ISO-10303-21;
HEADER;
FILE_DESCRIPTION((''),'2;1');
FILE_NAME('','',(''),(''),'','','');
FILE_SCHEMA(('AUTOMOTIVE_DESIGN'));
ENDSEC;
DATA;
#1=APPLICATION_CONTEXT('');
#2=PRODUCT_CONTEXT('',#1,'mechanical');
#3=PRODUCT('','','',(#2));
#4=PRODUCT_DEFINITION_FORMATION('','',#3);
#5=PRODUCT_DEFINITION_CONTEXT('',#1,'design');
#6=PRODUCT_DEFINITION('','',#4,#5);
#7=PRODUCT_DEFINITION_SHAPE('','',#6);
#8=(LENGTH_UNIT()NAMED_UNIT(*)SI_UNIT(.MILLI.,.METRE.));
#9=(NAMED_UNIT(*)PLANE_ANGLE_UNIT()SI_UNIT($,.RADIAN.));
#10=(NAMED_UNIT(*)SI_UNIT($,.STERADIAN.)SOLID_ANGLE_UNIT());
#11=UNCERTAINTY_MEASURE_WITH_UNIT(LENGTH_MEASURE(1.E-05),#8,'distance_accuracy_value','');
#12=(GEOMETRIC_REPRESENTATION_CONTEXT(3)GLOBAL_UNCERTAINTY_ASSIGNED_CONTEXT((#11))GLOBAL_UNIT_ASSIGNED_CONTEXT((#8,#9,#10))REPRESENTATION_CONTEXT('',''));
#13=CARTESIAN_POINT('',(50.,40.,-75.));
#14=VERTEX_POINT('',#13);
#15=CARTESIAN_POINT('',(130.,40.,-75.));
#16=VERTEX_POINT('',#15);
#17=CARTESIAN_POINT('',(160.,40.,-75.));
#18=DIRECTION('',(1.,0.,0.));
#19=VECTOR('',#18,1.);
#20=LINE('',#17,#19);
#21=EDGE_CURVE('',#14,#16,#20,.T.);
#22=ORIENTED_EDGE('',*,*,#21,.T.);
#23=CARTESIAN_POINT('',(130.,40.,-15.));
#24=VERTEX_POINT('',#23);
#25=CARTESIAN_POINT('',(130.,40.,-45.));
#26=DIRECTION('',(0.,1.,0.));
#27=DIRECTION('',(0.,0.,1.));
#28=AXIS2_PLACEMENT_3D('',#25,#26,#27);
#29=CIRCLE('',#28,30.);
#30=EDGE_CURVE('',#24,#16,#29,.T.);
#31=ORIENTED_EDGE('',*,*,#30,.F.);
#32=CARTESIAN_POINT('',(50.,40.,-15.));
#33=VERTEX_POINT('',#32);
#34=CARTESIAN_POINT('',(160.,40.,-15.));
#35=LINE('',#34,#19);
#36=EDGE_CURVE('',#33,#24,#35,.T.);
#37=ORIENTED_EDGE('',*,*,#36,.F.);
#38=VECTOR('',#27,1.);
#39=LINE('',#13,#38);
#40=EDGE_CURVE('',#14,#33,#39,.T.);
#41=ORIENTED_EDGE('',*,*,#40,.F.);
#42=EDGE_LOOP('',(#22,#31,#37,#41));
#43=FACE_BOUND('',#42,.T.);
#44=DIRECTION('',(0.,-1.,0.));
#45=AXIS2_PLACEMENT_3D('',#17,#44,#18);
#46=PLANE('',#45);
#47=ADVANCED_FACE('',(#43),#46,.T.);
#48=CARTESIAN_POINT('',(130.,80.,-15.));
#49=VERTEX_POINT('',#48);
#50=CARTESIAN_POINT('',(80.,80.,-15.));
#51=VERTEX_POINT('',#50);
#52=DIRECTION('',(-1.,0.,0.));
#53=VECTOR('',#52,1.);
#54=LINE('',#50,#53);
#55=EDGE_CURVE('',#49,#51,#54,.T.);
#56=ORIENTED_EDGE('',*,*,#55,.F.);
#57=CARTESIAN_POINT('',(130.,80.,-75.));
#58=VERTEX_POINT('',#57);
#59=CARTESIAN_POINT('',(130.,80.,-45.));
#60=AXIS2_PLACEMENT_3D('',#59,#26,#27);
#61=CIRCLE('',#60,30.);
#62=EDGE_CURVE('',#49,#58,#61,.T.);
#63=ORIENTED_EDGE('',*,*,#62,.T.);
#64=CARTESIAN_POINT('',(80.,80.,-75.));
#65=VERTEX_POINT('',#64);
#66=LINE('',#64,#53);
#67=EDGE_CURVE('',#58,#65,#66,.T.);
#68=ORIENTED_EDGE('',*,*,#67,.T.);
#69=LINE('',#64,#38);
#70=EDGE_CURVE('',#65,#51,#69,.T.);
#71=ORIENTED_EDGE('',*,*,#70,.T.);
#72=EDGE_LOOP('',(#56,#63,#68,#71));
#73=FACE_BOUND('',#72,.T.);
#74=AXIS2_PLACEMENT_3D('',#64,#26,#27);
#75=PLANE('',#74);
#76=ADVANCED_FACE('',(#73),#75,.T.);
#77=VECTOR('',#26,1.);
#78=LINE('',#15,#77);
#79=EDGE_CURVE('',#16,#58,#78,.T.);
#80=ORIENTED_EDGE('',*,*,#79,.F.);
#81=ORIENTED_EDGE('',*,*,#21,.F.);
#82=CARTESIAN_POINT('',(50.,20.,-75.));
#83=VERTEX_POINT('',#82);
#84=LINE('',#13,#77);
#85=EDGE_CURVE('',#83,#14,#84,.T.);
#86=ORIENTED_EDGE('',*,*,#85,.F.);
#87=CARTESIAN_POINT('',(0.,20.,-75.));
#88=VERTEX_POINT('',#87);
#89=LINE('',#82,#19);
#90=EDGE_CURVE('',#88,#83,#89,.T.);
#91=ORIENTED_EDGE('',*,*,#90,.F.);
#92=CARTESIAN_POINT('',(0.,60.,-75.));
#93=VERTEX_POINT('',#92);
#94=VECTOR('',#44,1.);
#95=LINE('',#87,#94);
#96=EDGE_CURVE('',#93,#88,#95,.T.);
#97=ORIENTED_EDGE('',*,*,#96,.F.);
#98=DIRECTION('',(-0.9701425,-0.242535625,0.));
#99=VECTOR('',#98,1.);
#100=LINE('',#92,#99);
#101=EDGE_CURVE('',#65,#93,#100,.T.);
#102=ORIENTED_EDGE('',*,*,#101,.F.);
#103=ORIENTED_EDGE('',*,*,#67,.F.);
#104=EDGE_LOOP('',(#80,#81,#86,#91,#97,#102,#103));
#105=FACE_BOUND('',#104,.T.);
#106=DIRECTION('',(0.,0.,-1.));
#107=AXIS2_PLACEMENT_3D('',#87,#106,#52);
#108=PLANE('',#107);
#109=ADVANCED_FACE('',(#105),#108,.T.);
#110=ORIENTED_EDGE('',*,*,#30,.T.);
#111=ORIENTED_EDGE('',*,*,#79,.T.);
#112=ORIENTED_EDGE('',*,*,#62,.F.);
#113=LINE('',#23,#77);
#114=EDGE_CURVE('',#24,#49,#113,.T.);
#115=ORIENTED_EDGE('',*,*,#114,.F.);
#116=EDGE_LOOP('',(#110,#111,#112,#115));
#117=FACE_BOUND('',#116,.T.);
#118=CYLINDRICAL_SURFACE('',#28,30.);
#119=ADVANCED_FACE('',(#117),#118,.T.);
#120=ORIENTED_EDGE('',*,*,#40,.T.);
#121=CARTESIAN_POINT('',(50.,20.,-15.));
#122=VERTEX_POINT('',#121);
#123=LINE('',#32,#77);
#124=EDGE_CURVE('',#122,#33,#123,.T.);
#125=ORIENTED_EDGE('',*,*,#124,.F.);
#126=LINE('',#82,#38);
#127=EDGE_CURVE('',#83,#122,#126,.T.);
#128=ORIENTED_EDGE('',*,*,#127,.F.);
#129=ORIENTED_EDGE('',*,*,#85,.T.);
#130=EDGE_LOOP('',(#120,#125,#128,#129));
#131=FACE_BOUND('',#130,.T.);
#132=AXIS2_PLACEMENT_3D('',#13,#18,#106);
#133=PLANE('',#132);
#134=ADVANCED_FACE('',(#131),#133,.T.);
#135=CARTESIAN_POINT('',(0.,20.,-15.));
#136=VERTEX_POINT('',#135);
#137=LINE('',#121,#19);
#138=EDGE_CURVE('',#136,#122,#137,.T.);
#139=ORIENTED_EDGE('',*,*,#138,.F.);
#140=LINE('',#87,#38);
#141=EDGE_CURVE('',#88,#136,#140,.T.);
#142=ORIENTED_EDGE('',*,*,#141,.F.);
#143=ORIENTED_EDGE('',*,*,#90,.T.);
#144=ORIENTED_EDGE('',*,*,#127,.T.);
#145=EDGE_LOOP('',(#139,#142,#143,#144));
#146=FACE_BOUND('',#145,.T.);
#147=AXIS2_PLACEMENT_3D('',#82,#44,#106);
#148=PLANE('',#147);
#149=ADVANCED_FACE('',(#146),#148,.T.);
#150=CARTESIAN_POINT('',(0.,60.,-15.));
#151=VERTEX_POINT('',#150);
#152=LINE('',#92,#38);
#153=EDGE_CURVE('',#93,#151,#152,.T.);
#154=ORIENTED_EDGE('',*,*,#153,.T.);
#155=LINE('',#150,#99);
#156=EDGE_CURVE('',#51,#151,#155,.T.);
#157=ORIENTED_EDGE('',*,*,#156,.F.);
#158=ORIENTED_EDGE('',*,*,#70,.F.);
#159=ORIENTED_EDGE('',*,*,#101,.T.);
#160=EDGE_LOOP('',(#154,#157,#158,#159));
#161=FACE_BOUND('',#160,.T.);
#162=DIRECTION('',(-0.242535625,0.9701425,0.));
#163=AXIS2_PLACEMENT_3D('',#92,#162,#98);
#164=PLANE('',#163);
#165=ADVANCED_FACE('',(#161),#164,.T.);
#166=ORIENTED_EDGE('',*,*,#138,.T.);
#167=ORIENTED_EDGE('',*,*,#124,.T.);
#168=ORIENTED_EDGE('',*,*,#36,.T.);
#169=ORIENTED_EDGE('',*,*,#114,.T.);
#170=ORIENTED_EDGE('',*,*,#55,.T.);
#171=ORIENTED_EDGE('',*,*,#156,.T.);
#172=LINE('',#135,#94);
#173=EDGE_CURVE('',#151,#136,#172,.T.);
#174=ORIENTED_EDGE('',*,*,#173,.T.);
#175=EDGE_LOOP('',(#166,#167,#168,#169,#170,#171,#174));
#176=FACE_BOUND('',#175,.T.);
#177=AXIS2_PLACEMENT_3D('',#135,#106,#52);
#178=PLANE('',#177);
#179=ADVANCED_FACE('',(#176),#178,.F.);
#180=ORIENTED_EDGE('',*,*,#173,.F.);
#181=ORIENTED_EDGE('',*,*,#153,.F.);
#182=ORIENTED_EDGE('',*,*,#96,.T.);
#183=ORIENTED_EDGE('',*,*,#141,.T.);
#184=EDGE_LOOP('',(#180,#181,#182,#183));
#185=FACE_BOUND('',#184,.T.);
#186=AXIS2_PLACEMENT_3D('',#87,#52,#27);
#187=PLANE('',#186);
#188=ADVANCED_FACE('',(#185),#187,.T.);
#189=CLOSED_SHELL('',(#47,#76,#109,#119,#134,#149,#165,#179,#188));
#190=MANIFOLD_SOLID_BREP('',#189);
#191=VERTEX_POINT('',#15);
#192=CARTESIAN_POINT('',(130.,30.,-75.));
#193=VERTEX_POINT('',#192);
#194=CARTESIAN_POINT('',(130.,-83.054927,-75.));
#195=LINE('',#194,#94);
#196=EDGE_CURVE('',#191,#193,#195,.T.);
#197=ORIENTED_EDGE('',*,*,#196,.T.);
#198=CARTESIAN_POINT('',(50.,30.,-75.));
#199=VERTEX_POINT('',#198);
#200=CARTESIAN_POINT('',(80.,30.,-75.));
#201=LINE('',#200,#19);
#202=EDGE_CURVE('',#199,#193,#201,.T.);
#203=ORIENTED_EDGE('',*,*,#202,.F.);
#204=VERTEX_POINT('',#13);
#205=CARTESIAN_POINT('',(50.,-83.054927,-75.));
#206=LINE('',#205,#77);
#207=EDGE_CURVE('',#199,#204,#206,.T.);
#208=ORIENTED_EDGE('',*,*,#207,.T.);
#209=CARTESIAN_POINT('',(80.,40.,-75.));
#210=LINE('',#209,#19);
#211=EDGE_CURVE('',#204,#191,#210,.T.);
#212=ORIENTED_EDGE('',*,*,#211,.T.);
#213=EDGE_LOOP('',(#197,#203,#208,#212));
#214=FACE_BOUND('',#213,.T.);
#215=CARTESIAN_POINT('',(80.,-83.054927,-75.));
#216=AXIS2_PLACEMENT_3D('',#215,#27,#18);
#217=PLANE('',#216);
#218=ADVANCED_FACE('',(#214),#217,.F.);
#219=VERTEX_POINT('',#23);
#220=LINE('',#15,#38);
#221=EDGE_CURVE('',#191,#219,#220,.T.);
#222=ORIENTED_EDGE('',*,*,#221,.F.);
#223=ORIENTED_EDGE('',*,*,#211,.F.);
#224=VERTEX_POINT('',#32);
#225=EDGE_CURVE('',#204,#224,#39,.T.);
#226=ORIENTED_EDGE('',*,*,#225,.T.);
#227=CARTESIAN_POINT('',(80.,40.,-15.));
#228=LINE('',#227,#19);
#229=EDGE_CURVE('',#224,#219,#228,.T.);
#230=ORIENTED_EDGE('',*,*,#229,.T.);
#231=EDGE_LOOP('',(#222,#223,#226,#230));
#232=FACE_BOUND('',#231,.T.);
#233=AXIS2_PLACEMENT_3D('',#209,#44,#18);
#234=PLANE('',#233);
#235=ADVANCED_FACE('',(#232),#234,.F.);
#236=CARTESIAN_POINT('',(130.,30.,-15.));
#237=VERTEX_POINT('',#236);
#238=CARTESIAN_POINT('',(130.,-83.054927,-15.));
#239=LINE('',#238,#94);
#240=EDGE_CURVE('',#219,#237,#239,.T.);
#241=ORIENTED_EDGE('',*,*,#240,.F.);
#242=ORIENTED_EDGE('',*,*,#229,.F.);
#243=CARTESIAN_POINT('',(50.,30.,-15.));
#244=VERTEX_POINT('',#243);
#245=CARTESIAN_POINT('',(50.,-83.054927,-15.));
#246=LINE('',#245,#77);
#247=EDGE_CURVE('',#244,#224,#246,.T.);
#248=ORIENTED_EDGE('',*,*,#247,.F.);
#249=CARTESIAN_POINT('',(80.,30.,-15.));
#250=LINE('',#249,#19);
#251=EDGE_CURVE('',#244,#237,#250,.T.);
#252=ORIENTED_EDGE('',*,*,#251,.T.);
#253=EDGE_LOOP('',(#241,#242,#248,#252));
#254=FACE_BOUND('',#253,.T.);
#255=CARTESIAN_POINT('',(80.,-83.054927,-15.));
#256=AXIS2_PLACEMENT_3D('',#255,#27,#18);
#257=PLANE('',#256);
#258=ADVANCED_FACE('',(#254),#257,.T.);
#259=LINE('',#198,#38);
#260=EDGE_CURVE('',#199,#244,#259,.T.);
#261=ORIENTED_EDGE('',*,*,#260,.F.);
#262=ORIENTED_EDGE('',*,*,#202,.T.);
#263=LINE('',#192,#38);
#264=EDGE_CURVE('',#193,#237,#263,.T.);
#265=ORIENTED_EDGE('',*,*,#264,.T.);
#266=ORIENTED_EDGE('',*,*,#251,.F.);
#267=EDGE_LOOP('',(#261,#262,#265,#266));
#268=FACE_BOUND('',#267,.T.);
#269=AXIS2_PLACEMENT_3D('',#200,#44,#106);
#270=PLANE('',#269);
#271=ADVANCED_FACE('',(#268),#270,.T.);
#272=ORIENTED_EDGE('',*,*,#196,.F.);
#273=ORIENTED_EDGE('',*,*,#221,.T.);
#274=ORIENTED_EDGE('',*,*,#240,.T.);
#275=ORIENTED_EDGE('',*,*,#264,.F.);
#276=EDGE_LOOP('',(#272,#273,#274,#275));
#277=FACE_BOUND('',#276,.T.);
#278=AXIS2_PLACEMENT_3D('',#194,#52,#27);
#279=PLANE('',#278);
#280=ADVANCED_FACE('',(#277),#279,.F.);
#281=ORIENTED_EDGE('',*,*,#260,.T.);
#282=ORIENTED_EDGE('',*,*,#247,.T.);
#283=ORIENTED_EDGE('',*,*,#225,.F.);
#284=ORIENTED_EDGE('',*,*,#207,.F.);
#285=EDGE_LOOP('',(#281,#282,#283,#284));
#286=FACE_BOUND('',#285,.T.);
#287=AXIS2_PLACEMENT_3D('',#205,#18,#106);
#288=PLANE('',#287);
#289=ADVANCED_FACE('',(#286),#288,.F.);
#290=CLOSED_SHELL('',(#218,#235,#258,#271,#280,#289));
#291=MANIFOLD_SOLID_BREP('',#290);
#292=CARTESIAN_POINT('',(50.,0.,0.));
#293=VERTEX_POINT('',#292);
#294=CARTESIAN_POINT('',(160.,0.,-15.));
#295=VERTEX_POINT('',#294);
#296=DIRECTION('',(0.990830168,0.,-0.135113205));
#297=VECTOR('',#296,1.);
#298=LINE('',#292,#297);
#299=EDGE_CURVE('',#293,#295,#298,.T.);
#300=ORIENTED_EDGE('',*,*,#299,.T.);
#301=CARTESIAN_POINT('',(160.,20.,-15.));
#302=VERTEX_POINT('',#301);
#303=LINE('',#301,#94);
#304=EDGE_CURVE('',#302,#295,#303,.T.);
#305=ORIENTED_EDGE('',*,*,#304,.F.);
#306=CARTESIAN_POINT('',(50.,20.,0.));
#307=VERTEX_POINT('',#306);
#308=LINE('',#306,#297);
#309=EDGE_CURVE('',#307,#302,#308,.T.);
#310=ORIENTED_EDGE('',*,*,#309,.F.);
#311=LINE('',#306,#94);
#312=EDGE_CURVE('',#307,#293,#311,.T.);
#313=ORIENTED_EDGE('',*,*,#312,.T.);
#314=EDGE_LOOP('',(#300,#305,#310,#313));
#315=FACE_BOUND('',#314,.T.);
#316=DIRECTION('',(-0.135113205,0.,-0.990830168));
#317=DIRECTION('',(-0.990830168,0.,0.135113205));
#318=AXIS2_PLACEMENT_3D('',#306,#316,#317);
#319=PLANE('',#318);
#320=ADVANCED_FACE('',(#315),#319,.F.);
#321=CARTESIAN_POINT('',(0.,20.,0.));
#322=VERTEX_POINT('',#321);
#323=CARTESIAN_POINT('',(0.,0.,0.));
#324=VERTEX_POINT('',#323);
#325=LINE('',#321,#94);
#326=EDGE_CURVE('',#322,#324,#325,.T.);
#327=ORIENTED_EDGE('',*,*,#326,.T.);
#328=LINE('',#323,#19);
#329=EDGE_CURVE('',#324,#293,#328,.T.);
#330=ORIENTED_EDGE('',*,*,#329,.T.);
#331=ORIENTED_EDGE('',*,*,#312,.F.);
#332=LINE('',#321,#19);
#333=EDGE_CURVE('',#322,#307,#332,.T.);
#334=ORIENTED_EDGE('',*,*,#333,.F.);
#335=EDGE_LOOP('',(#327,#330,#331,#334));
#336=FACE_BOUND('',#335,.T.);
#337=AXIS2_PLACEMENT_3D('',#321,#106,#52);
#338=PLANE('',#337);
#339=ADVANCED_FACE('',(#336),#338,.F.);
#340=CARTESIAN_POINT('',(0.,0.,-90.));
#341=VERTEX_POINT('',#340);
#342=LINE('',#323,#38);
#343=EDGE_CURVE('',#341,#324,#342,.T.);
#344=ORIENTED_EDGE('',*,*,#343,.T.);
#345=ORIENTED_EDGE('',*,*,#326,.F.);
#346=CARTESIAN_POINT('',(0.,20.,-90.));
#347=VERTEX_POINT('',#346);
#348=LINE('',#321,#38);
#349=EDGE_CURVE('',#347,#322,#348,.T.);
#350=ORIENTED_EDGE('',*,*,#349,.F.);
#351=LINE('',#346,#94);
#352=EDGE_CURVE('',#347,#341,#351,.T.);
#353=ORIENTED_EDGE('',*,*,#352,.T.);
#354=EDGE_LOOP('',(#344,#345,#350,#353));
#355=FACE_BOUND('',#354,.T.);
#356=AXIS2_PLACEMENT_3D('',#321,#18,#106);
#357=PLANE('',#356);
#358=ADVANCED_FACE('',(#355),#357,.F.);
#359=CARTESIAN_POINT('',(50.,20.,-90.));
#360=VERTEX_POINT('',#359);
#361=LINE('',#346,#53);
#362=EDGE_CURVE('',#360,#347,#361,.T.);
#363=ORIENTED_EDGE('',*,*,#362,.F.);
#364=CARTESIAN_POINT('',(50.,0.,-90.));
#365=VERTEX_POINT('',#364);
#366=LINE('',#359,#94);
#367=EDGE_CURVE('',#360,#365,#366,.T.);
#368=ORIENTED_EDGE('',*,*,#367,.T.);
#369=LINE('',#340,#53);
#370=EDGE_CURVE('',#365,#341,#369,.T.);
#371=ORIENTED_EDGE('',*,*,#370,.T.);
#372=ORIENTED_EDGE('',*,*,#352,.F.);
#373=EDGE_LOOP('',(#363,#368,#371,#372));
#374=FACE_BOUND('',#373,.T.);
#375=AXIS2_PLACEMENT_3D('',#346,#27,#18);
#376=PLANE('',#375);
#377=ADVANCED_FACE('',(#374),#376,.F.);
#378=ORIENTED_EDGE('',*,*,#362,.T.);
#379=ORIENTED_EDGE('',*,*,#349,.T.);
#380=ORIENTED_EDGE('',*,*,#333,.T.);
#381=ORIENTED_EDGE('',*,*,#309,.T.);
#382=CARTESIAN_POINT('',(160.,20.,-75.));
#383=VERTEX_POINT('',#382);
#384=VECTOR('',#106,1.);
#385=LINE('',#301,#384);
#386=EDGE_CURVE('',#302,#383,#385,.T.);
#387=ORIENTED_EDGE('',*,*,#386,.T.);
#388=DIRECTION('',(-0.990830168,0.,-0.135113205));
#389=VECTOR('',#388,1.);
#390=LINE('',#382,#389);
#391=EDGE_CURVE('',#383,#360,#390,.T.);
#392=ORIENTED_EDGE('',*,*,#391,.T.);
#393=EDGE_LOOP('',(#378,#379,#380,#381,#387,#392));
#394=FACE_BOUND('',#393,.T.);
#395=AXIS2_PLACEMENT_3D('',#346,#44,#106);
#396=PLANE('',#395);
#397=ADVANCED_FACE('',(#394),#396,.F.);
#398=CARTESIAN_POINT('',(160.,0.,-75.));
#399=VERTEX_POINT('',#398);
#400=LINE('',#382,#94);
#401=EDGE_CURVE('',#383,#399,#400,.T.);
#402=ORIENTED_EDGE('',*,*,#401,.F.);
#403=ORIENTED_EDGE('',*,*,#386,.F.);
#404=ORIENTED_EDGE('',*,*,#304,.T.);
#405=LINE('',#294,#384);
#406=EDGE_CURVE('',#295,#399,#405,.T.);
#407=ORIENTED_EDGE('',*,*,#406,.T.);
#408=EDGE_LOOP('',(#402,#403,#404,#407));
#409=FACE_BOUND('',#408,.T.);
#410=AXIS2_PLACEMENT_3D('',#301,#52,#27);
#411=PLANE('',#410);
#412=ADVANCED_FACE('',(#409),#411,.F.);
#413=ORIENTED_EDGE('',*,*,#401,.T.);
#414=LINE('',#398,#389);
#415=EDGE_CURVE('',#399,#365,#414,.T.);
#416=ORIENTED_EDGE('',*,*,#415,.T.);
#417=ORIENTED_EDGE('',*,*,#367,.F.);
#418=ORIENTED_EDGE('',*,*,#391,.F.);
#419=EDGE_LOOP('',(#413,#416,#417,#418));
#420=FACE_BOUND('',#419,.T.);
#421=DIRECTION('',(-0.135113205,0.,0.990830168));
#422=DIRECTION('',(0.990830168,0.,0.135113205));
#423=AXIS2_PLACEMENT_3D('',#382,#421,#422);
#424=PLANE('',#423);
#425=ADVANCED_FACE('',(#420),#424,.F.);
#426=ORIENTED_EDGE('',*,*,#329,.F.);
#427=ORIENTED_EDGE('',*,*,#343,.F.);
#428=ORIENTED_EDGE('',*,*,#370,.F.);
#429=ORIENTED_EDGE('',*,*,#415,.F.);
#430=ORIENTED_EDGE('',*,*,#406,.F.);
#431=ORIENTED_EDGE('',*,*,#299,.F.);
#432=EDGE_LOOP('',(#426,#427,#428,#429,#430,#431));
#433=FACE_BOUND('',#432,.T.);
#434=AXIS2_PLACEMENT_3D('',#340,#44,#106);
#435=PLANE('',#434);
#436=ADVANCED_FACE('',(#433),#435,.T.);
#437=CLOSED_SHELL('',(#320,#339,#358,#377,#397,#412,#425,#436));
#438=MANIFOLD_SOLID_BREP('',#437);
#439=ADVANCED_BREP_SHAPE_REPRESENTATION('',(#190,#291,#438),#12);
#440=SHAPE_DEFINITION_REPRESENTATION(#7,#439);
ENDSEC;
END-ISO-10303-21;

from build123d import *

# Parameters (mm, degrees)
EXTRUDE1_DEPTH = 20
EXTRUDE2_DEPTH = 60
EXTRUDE8_DEPTH = 40
SKETCH4_W      = 80
SKETCH4_H      = 10
EXTRUDE9_DEPTH = 60


with BuildPart() as part:
    # Sketch1 → Extrude1 (new body)
    with BuildSketch(Plane(origin=(0, 0, 0), x_dir=(1, 0, 0), z_dir=(0, 1, 0))):
        Polygon((50, 0), (160, 15), (160, 75), (50, 90), (0, 90), (0, 0), align=None)
    extrude(amount=EXTRUDE1_DEPTH)


with BuildPart() as body_2:
    # Sketch2 → Extrude2 (new body)
    with BuildSketch(Plane.XY.offset(-15)):
        Polygon((0, 20), (0, 60), (80, 80), (160, 80), (160, 40), (50, 40), (50, 20), align=None)
    extrude(amount=-EXTRUDE2_DEPTH)

    # Sketch3 → Extrude8 (cut)
    with BuildSketch(Plane(origin=(0, 80, 0), x_dir=(1, 0, 0), z_dir=(0, 1, 0))):
        with BuildLine():
            Line((160, 15), (160, 45))
            ThreePointArc((160, 45), (151.213203436, 23.786796564), (130, 15))
            Line((130, 15), (160, 15))
        make_face()
        with BuildLine():
            Line((160, 75), (130, 75))
            ThreePointArc((130, 75), (151.213203436, 66.213203436), (160, 45))
            Line((160, 45), (160, 75))
        make_face()
    extrude(amount=-EXTRUDE8_DEPTH, mode=Mode.SUBTRACT)


with BuildPart() as body_3:
    # Sketch4 → Extrude9 (new body)
    with BuildSketch(Plane.XY.offset(-15)):
        with Locations((90, 35)):
            Rectangle(SKETCH4_W, SKETCH4_H)
    extrude(amount=-EXTRUDE9_DEPTH)


solid = Compound([part.part, body_2.part, body_3.part])
